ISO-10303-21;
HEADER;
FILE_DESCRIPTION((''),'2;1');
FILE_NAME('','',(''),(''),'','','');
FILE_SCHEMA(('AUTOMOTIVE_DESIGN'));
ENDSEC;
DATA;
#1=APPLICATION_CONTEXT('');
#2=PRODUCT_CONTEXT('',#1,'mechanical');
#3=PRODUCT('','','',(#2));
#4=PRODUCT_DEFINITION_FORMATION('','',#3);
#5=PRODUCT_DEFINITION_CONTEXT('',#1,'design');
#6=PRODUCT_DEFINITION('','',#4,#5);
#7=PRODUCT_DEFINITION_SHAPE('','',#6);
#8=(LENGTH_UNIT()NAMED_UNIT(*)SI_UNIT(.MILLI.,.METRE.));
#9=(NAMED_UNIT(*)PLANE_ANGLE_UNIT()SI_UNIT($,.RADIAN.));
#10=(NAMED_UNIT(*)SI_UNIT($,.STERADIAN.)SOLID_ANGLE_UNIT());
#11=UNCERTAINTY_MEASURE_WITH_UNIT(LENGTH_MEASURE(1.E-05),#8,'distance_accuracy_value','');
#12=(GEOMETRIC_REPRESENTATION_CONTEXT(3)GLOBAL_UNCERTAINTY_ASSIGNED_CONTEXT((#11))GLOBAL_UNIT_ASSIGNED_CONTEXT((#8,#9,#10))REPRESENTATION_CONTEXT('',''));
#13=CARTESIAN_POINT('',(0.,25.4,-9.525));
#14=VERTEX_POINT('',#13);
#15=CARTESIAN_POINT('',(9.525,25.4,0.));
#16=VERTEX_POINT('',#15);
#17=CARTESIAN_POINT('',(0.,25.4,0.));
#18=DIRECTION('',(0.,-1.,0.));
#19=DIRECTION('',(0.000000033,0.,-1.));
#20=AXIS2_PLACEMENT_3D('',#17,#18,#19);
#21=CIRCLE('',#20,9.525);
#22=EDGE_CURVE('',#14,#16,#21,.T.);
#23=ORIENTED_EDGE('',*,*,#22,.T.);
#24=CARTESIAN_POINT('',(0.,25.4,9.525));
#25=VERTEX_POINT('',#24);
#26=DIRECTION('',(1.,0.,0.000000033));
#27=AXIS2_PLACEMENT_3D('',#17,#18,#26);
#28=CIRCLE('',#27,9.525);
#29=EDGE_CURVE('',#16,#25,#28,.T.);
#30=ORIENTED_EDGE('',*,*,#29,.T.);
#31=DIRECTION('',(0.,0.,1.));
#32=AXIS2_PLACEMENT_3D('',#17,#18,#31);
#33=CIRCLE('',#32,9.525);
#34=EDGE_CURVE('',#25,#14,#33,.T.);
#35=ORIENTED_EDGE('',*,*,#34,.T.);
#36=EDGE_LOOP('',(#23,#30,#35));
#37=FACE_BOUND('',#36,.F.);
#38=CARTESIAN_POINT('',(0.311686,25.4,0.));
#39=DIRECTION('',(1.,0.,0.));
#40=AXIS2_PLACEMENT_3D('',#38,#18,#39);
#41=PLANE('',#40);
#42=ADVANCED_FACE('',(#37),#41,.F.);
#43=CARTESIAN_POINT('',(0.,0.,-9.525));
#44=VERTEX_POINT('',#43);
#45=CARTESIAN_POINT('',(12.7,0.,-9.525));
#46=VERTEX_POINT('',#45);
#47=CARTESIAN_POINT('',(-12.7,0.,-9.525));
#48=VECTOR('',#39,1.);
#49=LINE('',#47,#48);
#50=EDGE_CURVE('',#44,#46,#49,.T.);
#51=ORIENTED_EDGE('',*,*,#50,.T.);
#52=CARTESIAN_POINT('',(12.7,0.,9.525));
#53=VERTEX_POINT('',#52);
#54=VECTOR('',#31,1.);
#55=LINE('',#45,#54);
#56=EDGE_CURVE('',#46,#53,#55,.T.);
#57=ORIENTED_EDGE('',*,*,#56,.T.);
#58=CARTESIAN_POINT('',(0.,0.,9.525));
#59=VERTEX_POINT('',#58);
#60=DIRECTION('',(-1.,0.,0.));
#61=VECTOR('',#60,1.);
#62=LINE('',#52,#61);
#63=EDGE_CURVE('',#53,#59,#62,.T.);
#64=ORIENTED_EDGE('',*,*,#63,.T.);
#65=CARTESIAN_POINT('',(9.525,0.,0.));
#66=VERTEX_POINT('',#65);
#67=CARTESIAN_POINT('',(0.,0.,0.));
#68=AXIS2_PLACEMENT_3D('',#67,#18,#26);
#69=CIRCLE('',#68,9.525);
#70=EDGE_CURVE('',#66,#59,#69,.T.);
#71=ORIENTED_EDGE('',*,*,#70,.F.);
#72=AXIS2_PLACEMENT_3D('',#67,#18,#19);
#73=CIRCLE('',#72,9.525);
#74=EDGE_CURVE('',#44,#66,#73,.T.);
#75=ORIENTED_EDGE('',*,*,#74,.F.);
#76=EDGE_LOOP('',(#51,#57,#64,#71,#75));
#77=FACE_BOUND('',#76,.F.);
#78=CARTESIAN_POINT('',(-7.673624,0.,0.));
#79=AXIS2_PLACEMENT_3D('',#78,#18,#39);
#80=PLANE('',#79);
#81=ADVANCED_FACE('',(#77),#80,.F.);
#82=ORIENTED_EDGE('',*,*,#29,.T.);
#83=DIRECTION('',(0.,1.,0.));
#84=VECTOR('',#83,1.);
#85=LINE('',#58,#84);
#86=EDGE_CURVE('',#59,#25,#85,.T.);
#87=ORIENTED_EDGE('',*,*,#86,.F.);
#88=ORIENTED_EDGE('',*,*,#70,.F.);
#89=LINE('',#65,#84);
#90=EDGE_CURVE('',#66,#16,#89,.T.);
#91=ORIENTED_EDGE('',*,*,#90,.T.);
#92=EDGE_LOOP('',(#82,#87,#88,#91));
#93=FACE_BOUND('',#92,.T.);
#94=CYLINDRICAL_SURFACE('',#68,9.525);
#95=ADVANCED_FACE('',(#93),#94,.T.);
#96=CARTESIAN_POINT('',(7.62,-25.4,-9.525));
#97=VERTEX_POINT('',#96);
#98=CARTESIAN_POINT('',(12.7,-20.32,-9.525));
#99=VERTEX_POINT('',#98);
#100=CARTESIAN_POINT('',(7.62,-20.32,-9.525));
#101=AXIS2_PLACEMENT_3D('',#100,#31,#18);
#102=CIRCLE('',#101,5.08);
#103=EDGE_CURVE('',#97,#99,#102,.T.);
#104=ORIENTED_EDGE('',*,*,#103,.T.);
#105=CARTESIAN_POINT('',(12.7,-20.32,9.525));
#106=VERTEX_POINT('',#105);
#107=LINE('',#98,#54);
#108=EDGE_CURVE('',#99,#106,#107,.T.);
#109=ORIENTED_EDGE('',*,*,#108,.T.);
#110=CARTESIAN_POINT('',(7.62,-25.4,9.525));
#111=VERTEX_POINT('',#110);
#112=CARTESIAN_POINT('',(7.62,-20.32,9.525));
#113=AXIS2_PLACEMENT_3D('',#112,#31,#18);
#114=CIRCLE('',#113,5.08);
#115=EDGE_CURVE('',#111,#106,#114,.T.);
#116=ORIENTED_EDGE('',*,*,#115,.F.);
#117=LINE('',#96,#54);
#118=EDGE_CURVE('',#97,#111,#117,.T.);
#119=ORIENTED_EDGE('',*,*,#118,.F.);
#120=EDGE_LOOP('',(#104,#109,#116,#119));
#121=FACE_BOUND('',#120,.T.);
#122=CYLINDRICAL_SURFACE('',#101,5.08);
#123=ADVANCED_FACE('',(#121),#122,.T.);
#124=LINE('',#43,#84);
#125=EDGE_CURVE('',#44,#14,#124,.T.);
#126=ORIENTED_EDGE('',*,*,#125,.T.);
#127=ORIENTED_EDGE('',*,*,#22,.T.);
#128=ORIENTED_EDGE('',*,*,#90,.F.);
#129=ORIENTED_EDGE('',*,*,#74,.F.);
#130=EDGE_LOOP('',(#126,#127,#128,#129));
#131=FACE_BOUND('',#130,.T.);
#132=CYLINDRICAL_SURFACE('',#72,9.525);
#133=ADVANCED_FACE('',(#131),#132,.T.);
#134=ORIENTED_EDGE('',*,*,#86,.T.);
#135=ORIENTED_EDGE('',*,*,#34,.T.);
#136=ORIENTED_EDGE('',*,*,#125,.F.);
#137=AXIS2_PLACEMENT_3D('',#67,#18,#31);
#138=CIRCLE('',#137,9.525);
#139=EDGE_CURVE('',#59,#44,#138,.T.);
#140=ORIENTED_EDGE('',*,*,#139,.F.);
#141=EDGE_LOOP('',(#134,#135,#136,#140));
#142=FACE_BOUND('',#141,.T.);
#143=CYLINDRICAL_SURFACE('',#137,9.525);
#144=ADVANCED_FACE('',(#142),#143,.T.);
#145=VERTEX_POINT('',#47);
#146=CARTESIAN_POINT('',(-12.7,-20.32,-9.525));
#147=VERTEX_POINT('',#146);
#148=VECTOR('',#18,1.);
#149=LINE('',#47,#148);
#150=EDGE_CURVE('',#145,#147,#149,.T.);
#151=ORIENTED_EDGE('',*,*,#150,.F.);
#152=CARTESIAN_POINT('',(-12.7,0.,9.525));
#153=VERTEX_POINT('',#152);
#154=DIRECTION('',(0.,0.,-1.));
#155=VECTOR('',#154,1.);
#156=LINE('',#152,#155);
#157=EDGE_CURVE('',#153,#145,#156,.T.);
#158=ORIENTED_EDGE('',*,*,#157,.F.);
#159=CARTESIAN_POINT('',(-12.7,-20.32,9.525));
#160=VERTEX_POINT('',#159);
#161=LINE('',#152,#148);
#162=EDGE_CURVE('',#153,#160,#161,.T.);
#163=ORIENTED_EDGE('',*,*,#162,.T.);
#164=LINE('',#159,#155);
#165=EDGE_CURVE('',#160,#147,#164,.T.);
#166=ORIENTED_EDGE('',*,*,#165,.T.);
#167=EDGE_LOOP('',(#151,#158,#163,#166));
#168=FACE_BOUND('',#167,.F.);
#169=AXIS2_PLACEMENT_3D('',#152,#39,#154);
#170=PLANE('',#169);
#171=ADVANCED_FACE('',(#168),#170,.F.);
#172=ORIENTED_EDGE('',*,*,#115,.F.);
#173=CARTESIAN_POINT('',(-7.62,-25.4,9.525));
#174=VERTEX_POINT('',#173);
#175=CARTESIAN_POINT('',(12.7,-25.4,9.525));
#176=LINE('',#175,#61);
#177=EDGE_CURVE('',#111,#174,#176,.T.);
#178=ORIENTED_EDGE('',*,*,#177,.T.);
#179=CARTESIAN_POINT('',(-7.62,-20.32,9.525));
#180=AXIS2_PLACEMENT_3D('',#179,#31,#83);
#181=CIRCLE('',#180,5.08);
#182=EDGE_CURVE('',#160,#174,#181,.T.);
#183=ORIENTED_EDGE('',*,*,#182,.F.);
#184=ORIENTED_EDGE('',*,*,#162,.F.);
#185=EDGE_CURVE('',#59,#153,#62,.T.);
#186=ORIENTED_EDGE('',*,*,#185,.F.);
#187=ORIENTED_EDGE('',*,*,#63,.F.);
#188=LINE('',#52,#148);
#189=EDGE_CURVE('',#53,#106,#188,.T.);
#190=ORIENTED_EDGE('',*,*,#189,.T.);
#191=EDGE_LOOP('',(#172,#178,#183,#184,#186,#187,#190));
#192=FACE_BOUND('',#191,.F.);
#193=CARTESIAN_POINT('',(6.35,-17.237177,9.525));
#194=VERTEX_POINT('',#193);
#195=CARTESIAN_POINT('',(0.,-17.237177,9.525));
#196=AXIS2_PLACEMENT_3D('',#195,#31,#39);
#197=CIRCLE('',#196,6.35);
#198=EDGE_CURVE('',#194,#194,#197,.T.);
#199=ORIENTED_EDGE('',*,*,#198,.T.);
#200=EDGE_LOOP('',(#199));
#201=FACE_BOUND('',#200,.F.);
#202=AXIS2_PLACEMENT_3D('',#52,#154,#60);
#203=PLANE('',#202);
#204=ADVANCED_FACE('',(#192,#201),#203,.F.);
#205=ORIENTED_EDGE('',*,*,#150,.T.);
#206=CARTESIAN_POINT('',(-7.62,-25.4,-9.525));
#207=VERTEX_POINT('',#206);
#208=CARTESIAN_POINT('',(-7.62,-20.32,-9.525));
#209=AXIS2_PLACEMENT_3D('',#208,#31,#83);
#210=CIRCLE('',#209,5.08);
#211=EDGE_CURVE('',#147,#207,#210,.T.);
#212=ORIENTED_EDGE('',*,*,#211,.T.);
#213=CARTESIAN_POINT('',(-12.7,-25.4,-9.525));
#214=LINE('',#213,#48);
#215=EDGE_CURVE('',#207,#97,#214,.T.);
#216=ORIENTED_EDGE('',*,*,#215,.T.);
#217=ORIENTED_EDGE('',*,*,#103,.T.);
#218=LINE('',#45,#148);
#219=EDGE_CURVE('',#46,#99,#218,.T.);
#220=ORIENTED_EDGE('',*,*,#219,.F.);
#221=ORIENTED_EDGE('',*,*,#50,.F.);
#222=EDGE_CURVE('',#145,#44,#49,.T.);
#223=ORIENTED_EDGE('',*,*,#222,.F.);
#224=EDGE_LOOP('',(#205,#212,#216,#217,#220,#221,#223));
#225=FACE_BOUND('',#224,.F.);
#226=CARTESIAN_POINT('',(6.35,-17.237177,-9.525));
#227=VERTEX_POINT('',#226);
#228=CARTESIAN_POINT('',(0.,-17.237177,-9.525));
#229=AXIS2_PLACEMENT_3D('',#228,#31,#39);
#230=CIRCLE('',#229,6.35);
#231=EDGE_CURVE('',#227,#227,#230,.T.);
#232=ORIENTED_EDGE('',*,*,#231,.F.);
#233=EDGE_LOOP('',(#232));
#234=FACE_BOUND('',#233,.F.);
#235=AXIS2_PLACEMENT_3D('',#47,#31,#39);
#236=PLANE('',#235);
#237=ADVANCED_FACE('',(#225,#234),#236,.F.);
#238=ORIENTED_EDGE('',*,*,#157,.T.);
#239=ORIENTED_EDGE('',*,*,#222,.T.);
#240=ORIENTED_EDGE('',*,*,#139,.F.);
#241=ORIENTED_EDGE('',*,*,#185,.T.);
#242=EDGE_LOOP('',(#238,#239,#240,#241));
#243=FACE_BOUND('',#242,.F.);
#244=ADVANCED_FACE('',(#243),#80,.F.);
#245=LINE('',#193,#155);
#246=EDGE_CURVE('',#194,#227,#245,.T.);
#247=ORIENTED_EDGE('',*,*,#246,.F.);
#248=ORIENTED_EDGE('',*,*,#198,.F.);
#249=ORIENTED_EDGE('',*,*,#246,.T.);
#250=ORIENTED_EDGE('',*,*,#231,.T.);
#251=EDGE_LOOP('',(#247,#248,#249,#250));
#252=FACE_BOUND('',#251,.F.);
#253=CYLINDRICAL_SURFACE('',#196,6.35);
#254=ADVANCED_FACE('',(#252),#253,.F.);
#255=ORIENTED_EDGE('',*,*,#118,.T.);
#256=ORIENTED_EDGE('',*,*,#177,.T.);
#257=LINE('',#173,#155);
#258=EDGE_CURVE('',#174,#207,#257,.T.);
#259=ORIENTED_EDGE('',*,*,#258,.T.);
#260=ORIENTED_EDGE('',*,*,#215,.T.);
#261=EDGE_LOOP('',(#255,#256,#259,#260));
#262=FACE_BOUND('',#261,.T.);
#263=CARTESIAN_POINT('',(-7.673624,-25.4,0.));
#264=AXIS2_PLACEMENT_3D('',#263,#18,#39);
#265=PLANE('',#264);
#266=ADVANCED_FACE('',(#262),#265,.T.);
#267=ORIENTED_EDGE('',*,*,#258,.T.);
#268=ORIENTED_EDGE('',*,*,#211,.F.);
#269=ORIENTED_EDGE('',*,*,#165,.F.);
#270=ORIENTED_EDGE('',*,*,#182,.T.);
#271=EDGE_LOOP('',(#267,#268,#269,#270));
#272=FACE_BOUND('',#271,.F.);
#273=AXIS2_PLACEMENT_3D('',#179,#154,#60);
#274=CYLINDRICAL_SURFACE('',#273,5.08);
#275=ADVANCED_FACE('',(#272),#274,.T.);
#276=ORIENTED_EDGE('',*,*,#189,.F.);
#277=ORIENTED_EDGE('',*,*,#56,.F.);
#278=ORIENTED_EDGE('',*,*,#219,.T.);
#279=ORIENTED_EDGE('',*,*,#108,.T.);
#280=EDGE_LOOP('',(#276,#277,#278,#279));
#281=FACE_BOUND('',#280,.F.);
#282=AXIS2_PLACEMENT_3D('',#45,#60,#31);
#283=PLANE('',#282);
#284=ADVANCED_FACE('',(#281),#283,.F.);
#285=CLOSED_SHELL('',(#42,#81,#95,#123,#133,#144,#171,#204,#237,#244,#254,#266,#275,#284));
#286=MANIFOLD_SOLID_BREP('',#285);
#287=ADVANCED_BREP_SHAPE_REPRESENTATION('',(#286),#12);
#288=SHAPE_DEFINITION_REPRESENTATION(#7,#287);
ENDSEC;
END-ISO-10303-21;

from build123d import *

# Parameters (mm, degrees)
F1_DEPTH = 25.4
F2_DEPTH = 25.4
F3_R     = 6.35
F4_DEPTH = 25.4
F5_R     = 5.08


with BuildPart() as f1:
    # F0 (on Front) → F1 (new body)
    with BuildSketch(Plane.XZ):
        with BuildLine():
            ThreePointArc((0, 9.525), (-9.525, 0), (0, -9.525))
            ThreePointArc((0, -9.525), (6.735192, -6.735192), (9.525, 0))
            ThreePointArc((9.525, 0), (6.735192, 6.735192), (0, 9.525))
        make_face()
    extrude(amount=-F1_DEPTH)

    # F0 (on Front) → F2 (join)
    with BuildSketch(Plane.XZ):
        with BuildLine():
            Line((-12.7, 9.525), (-12.7, -9.525))
            Line((-12.7, -9.525), (0, -9.525))
            ThreePointArc((0, -9.525), (-9.525, 0), (0, 9.525))
            Line((0, 9.525), (-12.7, 9.525))
        make_face()
        with BuildLine():
            ThreePointArc((9.525, 0), (6.735192, -6.735192), (0, -9.525))
            Line((0, -9.525), (12.7, -9.525))
            Line((12.7, -9.525), (12.7, 9.525))
            Line((12.7, 9.525), (0, 9.525))
            ThreePointArc((0, 9.525), (6.735192, 6.735192), (9.525, 0))
        make_face()
        with BuildLine():
            ThreePointArc((0, 9.525), (-9.525, 0), (0, -9.525))
            ThreePointArc((0, -9.525), (6.735192, -6.735192), (9.525, 0))
            ThreePointArc((9.525, 0), (6.735192, 6.735192), (0, 9.525))
        make_face()
    extrude(amount=F2_DEPTH)

    # F3 (on face) → F4 (cut)
    with BuildSketch(Plane.XY.offset(9.525)):
        with Locations((0, -17.237177)):
            Circle(F3_R)
    extrude(amount=-F4_DEPTH, mode=Mode.SUBTRACT)

    # F5
    f5_edges = [f1.edges().sort_by_distance(p)[0] for p in [
        (-12.7, -25.4, 0),
        (12.7, -25.4, 0),
    ]]
    fillet(f5_edges, radius=F5_R)


solid = f1.part
